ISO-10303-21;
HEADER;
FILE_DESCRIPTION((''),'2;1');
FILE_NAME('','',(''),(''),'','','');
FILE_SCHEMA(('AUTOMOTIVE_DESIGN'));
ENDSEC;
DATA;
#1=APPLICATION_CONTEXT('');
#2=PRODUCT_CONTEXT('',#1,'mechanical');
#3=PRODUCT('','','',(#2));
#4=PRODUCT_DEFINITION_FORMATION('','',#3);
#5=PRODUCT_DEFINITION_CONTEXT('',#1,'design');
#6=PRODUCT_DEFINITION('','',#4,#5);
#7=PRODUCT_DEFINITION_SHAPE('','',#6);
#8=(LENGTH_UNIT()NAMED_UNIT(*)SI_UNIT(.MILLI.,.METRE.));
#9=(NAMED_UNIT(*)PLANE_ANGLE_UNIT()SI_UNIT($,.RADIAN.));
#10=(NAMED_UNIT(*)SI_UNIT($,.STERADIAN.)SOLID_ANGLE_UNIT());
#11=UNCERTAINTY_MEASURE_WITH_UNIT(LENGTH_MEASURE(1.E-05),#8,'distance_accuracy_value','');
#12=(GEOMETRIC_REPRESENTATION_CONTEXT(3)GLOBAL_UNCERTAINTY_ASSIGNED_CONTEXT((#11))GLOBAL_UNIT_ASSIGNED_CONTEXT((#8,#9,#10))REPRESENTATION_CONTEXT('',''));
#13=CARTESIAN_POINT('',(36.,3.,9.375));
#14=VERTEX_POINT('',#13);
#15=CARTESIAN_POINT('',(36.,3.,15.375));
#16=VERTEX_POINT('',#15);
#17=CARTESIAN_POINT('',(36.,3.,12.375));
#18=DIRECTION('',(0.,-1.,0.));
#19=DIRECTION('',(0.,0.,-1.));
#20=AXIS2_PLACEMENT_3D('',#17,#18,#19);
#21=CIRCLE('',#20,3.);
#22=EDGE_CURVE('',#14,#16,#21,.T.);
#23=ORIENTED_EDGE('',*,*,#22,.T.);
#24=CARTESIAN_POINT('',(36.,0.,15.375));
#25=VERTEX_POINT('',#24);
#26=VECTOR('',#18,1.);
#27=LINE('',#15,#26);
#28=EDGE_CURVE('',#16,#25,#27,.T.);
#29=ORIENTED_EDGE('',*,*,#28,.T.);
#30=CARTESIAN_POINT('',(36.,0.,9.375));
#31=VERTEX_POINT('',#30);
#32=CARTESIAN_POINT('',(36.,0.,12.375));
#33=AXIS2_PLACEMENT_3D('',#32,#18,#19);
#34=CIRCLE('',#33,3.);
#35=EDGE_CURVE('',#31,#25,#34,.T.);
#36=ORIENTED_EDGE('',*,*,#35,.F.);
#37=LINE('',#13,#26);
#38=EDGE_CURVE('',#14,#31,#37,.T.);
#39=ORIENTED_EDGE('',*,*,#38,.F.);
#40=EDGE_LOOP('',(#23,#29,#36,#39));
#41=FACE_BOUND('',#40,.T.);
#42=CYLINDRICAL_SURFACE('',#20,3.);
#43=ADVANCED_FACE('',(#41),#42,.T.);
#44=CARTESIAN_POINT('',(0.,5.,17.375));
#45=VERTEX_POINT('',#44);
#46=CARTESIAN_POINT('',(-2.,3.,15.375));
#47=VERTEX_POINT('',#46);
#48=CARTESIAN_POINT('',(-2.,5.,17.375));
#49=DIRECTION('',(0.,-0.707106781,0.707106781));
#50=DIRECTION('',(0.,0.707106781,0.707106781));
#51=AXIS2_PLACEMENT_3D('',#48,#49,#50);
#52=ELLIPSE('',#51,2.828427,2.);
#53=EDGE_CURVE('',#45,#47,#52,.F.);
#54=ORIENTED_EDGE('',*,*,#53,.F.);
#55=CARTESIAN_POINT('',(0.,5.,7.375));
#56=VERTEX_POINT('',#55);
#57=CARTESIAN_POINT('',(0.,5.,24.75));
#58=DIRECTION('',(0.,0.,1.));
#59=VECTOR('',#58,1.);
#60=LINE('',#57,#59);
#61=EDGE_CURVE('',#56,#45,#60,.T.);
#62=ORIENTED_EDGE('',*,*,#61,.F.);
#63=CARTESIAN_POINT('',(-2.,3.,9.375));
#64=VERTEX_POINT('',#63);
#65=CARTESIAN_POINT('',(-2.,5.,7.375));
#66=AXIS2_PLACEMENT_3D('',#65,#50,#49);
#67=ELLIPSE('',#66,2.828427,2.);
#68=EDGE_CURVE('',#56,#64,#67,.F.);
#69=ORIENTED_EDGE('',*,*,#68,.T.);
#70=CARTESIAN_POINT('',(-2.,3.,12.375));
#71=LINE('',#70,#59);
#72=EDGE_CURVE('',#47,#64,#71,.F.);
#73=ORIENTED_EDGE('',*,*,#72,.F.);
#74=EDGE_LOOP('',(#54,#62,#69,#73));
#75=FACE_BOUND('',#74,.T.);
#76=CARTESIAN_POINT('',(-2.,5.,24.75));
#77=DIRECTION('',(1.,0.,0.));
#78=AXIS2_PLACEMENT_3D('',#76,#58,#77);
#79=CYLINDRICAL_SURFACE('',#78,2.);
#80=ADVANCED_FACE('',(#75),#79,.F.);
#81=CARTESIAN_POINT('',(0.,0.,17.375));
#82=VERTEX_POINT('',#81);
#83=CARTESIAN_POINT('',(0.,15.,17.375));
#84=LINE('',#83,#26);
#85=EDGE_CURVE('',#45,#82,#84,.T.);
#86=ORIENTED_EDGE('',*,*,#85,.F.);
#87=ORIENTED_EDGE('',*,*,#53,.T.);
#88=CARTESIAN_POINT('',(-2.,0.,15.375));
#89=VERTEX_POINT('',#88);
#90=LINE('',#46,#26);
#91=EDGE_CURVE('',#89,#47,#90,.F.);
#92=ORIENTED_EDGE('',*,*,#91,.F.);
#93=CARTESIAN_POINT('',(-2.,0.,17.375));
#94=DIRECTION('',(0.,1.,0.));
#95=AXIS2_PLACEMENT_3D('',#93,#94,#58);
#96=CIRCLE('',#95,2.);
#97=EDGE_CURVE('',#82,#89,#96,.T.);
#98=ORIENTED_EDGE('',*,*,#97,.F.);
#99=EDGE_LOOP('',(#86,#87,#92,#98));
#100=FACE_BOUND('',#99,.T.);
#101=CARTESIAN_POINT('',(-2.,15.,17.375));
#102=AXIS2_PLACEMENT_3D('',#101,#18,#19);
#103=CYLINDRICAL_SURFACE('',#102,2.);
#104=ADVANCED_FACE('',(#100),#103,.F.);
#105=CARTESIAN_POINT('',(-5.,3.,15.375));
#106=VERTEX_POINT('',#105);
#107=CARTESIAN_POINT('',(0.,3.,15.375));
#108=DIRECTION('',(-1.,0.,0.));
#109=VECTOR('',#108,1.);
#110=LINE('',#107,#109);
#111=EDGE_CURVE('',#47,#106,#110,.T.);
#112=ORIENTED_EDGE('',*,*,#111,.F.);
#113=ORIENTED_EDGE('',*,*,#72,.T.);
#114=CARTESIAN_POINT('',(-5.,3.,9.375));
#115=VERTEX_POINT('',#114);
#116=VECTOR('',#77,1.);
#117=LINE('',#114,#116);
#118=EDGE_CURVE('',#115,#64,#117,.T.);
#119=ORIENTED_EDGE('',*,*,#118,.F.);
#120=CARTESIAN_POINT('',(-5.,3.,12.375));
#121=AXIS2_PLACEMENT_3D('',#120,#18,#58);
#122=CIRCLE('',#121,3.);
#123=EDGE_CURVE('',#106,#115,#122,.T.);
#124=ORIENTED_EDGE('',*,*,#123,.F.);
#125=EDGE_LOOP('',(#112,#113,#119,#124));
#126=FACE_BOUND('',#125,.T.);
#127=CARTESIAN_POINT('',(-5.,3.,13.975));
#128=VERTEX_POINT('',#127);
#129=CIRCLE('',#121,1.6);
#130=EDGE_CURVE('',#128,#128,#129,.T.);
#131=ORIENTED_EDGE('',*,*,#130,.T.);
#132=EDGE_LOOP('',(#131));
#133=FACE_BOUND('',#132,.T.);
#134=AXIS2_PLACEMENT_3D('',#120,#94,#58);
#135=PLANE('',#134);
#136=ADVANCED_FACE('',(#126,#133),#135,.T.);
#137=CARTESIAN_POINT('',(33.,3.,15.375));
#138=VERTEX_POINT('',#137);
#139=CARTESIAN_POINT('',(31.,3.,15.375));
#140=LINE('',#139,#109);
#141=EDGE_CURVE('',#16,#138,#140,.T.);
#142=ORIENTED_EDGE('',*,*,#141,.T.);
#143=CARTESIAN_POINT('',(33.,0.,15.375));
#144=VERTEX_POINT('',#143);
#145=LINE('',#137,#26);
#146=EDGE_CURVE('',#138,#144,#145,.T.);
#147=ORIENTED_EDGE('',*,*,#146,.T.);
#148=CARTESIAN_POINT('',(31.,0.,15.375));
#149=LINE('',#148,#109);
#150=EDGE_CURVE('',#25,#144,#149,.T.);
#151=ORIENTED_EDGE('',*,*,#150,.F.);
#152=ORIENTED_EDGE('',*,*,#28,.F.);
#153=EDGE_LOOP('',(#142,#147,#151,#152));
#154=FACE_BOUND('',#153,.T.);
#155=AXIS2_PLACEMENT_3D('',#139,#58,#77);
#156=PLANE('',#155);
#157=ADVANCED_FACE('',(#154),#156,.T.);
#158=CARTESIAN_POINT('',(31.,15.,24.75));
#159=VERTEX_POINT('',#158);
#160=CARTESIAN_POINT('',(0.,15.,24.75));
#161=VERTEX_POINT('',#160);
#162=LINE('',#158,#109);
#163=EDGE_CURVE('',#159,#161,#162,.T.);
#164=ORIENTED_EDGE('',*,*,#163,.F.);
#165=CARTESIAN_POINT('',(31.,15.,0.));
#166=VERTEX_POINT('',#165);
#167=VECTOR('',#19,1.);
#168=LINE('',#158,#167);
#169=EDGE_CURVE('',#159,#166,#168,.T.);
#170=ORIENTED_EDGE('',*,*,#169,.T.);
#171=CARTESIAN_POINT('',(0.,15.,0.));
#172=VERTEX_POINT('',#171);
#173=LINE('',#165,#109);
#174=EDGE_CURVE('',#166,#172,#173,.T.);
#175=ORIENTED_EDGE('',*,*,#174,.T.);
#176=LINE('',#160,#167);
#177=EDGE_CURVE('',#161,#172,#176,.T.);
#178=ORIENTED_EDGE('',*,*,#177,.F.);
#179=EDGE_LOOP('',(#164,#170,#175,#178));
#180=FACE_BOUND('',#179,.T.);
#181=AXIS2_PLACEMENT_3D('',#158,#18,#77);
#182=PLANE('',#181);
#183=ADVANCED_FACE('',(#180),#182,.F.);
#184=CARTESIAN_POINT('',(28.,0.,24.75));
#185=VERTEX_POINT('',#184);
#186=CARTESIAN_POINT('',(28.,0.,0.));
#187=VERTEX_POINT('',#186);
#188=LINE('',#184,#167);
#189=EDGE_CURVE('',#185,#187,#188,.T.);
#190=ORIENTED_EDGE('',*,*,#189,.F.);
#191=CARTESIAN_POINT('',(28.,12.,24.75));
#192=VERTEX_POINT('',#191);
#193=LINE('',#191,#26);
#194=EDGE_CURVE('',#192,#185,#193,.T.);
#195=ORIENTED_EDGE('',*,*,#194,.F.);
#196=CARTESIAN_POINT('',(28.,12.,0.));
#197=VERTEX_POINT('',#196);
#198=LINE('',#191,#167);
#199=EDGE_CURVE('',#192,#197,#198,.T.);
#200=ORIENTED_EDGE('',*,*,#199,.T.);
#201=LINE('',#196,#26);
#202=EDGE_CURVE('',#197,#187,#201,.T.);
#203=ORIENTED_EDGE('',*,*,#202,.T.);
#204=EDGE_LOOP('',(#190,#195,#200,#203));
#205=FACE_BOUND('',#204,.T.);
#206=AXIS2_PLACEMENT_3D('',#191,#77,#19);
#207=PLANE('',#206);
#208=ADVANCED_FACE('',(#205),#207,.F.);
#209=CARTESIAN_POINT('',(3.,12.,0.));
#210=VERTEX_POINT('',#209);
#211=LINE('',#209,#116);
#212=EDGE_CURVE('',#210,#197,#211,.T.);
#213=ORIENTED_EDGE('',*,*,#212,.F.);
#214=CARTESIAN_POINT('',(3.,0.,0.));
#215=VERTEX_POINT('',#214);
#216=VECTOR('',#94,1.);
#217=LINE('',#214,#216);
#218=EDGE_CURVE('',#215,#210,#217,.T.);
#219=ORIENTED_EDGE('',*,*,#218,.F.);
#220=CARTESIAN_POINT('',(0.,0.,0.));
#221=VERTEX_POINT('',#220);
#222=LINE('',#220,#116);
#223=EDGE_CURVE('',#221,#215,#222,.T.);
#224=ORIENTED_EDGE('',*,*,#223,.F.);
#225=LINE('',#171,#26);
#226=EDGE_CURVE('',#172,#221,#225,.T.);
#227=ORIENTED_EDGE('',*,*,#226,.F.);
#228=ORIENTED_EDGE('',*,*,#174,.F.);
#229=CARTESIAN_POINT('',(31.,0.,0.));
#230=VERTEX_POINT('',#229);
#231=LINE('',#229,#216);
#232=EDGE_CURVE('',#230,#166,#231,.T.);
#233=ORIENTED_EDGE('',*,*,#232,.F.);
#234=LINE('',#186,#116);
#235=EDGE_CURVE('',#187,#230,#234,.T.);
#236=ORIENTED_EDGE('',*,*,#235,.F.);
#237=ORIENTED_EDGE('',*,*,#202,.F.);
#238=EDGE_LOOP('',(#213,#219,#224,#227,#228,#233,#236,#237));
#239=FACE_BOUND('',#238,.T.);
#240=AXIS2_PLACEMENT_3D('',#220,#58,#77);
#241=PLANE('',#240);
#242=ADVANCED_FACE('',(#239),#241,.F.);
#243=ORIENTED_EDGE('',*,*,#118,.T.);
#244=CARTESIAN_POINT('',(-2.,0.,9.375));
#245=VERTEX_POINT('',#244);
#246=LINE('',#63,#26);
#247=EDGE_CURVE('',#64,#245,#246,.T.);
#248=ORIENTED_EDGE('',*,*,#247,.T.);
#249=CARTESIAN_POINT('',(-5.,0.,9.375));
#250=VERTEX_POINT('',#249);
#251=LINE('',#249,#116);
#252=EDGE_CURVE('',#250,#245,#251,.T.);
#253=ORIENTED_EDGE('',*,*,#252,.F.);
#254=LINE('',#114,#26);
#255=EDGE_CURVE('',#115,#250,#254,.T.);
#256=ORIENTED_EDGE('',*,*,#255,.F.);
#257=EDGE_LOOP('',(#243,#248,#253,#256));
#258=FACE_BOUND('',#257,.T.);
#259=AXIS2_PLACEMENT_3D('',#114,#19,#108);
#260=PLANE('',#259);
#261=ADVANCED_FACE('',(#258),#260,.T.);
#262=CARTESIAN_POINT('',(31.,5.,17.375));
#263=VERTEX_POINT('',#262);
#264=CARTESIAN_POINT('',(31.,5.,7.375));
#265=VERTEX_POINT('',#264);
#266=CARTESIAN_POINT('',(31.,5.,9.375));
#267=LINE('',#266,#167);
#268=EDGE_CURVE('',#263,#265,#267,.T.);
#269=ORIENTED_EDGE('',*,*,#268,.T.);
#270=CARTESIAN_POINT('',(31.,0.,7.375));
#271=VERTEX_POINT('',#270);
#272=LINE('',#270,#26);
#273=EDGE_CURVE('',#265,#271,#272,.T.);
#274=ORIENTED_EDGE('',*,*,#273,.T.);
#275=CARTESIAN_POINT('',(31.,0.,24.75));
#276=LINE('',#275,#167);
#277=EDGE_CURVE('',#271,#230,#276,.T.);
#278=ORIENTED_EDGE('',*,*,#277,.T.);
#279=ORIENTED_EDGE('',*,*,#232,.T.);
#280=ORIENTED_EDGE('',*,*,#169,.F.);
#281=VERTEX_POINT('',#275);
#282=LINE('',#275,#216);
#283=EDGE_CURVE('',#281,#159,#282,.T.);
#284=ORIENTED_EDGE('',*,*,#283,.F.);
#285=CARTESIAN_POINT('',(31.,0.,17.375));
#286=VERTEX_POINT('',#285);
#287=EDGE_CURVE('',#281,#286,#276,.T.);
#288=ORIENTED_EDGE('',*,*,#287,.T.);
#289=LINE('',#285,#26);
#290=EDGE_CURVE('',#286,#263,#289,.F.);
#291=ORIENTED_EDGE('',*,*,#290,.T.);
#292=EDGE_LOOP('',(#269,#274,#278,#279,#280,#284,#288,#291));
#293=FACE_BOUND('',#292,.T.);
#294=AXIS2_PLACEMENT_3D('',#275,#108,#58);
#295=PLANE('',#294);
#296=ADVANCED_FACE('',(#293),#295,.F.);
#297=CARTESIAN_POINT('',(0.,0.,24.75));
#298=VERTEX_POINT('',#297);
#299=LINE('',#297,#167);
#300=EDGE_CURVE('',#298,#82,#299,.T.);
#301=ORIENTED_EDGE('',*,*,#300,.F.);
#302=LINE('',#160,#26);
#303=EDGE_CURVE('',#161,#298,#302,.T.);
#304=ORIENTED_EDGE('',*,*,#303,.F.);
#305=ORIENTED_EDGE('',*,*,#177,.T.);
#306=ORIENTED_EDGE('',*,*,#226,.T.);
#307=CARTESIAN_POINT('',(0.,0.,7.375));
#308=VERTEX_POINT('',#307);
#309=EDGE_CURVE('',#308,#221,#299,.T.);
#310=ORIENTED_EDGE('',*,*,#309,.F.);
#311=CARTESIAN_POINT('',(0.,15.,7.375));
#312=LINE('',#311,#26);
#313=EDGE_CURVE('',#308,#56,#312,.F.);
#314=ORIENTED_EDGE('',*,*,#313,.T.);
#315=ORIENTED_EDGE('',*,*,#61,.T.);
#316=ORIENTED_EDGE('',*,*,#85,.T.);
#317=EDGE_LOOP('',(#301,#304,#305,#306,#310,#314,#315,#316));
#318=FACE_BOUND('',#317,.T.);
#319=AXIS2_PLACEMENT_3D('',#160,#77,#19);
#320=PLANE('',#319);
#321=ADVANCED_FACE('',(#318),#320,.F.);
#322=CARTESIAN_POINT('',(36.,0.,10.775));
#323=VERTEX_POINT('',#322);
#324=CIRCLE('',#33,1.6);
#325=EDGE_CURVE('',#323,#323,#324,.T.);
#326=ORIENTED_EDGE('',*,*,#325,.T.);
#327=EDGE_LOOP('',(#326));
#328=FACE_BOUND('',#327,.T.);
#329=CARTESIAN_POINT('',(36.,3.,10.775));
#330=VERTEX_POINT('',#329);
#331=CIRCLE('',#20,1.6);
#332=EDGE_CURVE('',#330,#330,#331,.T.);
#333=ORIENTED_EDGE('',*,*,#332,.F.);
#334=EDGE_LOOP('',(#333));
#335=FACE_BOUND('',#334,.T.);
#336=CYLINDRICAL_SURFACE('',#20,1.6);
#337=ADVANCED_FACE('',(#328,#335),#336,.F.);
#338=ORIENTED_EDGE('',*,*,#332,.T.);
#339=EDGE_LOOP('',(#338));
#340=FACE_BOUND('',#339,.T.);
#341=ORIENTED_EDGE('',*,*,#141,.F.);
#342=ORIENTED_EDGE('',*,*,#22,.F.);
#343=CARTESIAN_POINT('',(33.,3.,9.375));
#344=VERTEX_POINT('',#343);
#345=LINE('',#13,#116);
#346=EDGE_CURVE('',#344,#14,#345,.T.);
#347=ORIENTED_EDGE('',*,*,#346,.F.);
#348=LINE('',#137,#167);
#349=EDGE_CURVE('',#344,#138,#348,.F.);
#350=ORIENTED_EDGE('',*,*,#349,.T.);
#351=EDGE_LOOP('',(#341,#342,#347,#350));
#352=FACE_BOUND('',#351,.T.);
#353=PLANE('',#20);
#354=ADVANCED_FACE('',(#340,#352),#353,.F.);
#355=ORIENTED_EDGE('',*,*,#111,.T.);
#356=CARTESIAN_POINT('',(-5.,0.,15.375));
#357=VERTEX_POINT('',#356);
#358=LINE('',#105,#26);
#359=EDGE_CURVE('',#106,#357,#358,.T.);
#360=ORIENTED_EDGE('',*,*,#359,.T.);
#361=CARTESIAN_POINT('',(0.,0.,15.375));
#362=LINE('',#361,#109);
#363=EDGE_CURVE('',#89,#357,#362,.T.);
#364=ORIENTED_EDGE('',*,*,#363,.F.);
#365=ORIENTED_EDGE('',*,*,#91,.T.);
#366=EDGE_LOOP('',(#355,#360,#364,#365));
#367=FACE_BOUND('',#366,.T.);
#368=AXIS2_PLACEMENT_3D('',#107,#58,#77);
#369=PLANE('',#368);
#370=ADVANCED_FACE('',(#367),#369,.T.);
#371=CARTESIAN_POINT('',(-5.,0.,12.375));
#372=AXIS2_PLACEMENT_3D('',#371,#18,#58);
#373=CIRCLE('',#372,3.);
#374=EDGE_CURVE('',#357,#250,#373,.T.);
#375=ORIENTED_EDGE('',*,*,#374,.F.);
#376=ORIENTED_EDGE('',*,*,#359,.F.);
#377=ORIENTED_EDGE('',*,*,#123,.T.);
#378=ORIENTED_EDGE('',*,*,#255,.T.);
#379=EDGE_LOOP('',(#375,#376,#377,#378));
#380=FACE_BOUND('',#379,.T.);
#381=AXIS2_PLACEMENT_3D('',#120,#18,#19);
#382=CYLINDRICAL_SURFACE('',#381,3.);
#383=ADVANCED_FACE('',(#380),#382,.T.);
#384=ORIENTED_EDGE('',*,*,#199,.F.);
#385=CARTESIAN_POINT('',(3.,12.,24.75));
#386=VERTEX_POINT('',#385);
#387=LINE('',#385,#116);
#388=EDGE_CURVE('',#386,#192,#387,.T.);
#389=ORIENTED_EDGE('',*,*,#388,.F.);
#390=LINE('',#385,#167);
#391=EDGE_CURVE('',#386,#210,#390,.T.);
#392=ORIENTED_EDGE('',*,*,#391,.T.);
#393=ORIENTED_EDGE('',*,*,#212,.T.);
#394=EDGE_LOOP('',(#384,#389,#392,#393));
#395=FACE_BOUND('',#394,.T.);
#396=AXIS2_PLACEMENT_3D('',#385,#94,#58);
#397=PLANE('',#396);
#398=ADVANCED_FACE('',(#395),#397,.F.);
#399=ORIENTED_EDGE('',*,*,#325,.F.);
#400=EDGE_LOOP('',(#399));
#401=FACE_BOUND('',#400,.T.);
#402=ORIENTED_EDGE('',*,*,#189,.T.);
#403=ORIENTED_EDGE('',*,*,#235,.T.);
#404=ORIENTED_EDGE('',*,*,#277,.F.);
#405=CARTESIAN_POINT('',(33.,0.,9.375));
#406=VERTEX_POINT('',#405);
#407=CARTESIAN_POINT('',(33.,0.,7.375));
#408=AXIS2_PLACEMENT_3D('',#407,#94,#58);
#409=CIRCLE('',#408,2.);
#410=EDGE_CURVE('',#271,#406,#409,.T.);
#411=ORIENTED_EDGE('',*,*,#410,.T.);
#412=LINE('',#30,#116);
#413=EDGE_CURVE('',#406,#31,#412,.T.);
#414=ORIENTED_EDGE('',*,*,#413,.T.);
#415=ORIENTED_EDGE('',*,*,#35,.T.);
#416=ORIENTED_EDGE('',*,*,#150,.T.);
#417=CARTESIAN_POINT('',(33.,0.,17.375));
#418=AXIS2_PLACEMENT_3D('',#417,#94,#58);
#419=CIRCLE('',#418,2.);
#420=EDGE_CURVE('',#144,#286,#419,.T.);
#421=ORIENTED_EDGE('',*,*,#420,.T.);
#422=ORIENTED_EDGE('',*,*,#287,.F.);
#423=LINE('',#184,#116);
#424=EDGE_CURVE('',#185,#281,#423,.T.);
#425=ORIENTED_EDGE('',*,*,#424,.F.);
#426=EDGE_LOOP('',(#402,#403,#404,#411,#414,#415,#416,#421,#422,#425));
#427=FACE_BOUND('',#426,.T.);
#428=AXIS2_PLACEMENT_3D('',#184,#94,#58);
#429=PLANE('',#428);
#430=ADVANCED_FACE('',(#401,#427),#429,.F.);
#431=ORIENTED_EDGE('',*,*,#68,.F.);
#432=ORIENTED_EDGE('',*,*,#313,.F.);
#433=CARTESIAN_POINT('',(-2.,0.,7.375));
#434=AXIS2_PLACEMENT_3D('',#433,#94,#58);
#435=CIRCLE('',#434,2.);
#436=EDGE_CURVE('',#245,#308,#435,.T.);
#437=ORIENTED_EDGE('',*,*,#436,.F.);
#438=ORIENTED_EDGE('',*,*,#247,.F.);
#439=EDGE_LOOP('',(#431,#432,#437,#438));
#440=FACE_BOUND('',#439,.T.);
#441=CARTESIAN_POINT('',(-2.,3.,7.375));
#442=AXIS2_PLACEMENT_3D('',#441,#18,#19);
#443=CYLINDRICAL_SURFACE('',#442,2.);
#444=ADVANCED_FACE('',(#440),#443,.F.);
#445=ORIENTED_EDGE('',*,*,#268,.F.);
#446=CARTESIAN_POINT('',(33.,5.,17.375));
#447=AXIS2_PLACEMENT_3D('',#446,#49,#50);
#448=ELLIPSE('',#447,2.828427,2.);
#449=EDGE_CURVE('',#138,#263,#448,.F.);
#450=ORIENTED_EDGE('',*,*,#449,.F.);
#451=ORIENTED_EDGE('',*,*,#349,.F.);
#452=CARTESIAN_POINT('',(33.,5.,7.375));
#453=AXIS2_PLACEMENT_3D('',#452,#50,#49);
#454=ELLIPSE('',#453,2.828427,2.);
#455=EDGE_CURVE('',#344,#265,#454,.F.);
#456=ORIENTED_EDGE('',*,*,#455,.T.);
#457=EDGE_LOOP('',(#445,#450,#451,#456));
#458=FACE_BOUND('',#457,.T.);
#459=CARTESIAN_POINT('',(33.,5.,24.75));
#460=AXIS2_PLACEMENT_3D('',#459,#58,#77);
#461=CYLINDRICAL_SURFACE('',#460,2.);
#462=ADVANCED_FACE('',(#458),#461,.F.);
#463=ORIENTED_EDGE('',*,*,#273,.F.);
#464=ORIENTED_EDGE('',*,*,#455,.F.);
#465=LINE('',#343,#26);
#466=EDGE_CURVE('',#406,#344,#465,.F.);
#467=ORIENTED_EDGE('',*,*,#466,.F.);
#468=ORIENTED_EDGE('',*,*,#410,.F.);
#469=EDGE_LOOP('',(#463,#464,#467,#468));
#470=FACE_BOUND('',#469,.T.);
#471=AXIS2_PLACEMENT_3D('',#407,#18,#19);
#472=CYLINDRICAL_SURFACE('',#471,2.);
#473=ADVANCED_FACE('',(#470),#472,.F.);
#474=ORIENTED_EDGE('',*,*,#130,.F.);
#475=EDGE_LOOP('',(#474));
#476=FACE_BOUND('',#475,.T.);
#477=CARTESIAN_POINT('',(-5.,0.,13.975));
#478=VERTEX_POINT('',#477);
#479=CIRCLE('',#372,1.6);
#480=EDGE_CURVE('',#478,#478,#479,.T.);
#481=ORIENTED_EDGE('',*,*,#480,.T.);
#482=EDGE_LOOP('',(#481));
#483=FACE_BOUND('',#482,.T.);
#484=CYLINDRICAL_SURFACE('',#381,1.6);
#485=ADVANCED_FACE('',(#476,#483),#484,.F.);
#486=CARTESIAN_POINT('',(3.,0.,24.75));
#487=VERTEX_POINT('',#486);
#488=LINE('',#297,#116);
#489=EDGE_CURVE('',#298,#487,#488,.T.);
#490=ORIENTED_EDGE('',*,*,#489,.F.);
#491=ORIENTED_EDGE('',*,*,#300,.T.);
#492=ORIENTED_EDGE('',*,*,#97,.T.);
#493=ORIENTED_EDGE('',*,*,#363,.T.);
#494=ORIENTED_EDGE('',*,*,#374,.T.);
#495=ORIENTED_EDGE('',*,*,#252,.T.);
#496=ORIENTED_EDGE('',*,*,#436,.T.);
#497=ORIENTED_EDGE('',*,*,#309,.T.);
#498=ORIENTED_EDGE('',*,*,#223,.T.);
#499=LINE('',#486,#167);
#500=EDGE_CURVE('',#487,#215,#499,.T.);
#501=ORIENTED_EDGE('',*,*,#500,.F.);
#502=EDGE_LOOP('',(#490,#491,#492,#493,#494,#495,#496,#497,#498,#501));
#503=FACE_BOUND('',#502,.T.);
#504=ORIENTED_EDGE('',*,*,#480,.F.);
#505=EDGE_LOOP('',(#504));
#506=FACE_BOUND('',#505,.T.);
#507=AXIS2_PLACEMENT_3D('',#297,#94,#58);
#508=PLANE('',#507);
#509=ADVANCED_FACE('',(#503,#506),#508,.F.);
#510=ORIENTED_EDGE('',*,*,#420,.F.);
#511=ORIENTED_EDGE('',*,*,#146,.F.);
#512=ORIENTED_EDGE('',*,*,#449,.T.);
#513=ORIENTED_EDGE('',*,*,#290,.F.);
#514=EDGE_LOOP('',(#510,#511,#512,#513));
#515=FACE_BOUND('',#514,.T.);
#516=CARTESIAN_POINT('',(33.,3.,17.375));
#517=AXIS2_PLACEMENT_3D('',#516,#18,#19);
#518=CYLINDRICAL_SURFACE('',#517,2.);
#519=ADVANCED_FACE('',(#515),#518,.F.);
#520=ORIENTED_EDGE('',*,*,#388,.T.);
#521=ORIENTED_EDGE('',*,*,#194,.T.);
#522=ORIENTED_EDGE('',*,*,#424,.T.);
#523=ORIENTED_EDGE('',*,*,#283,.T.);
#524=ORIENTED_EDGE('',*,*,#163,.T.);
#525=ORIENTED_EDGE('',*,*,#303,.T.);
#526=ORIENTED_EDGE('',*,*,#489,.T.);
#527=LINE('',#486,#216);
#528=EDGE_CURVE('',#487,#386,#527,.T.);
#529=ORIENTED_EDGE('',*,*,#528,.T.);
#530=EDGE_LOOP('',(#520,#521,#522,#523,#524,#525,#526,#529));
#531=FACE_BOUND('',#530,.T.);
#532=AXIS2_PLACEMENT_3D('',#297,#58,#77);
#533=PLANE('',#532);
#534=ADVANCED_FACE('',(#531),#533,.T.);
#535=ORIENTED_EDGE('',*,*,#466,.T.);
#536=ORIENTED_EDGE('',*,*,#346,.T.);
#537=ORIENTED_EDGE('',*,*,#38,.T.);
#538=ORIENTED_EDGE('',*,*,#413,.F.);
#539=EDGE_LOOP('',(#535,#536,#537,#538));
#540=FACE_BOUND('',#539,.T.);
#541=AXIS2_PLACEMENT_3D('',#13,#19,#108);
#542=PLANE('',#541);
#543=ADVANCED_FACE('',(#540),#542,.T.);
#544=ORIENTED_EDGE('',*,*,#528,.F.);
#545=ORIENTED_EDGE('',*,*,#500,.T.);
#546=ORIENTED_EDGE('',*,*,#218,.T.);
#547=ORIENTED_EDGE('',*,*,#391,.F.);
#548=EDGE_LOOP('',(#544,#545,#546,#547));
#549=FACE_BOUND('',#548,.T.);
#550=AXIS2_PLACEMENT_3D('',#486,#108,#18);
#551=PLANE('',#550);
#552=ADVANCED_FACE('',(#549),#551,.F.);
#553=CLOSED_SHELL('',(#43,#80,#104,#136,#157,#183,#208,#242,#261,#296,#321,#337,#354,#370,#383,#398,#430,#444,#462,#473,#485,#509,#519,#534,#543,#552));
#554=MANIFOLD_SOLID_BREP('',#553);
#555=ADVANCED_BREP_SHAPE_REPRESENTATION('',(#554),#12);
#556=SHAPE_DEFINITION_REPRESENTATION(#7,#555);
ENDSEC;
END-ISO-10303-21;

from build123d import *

# Parameters (mm, degrees)
EXTRUDE_1_DEPTH = 24.75
SKETCH_2_R      = 1.6
EXTRUDE_2_DEPTH = 3
FILLET_1_R      = 2


with BuildPart() as part:
    # 草图1 → 凸台-拉伸1 (new body)
    with BuildSketch(Plane.XY):
        Polygon((0, 0), (3, 0), (3, 12), (28, 12), (28, 0), (31, 0), (31, 15), (0, 15), align=None)
    extrude(amount=EXTRUDE_1_DEPTH)

    # 草图2 → 凸台-拉伸2 (add)
    with BuildSketch(Plane.XZ):
        with BuildLine():
            Line((36, 9.375), (31, 9.375))
            Line((31, 9.375), (31, 15.375))
            Line((31, 15.375), (36, 15.375))
            ThreePointArc((36, 15.375), (39, 12.375), (36, 9.375))
        make_face()
        with Locations((36, 12.375)):
            Circle(SKETCH_2_R, mode=Mode.SUBTRACT)
        with BuildLine():
            Line((0, 15.375), (0, 9.375))
            Line((0, 9.375), (-5, 9.375))
            ThreePointArc((-5, 9.375), (-8, 12.375), (-5, 15.375))
            Line((-5, 15.375), (0, 15.375))
        make_face()
        with Locations((-5, 12.375)):
            Circle(SKETCH_2_R, mode=Mode.SUBTRACT)
    extrude(amount=-EXTRUDE_2_DEPTH)

    # 圆角1
    fillet_1_edges = [part.edges().sort_by_distance(p)[0] for p in [
        (0, 3, 12.375),
        (0, 1.5, 15.375),
        (0, 1.5, 9.375),
        (31, 3, 12.375),
        (31, 1.5, 9.375),
        (31, 1.5, 15.375),
    ]]
    fillet(fillet_1_edges, radius=FILLET_1_R)


solid = part.part
